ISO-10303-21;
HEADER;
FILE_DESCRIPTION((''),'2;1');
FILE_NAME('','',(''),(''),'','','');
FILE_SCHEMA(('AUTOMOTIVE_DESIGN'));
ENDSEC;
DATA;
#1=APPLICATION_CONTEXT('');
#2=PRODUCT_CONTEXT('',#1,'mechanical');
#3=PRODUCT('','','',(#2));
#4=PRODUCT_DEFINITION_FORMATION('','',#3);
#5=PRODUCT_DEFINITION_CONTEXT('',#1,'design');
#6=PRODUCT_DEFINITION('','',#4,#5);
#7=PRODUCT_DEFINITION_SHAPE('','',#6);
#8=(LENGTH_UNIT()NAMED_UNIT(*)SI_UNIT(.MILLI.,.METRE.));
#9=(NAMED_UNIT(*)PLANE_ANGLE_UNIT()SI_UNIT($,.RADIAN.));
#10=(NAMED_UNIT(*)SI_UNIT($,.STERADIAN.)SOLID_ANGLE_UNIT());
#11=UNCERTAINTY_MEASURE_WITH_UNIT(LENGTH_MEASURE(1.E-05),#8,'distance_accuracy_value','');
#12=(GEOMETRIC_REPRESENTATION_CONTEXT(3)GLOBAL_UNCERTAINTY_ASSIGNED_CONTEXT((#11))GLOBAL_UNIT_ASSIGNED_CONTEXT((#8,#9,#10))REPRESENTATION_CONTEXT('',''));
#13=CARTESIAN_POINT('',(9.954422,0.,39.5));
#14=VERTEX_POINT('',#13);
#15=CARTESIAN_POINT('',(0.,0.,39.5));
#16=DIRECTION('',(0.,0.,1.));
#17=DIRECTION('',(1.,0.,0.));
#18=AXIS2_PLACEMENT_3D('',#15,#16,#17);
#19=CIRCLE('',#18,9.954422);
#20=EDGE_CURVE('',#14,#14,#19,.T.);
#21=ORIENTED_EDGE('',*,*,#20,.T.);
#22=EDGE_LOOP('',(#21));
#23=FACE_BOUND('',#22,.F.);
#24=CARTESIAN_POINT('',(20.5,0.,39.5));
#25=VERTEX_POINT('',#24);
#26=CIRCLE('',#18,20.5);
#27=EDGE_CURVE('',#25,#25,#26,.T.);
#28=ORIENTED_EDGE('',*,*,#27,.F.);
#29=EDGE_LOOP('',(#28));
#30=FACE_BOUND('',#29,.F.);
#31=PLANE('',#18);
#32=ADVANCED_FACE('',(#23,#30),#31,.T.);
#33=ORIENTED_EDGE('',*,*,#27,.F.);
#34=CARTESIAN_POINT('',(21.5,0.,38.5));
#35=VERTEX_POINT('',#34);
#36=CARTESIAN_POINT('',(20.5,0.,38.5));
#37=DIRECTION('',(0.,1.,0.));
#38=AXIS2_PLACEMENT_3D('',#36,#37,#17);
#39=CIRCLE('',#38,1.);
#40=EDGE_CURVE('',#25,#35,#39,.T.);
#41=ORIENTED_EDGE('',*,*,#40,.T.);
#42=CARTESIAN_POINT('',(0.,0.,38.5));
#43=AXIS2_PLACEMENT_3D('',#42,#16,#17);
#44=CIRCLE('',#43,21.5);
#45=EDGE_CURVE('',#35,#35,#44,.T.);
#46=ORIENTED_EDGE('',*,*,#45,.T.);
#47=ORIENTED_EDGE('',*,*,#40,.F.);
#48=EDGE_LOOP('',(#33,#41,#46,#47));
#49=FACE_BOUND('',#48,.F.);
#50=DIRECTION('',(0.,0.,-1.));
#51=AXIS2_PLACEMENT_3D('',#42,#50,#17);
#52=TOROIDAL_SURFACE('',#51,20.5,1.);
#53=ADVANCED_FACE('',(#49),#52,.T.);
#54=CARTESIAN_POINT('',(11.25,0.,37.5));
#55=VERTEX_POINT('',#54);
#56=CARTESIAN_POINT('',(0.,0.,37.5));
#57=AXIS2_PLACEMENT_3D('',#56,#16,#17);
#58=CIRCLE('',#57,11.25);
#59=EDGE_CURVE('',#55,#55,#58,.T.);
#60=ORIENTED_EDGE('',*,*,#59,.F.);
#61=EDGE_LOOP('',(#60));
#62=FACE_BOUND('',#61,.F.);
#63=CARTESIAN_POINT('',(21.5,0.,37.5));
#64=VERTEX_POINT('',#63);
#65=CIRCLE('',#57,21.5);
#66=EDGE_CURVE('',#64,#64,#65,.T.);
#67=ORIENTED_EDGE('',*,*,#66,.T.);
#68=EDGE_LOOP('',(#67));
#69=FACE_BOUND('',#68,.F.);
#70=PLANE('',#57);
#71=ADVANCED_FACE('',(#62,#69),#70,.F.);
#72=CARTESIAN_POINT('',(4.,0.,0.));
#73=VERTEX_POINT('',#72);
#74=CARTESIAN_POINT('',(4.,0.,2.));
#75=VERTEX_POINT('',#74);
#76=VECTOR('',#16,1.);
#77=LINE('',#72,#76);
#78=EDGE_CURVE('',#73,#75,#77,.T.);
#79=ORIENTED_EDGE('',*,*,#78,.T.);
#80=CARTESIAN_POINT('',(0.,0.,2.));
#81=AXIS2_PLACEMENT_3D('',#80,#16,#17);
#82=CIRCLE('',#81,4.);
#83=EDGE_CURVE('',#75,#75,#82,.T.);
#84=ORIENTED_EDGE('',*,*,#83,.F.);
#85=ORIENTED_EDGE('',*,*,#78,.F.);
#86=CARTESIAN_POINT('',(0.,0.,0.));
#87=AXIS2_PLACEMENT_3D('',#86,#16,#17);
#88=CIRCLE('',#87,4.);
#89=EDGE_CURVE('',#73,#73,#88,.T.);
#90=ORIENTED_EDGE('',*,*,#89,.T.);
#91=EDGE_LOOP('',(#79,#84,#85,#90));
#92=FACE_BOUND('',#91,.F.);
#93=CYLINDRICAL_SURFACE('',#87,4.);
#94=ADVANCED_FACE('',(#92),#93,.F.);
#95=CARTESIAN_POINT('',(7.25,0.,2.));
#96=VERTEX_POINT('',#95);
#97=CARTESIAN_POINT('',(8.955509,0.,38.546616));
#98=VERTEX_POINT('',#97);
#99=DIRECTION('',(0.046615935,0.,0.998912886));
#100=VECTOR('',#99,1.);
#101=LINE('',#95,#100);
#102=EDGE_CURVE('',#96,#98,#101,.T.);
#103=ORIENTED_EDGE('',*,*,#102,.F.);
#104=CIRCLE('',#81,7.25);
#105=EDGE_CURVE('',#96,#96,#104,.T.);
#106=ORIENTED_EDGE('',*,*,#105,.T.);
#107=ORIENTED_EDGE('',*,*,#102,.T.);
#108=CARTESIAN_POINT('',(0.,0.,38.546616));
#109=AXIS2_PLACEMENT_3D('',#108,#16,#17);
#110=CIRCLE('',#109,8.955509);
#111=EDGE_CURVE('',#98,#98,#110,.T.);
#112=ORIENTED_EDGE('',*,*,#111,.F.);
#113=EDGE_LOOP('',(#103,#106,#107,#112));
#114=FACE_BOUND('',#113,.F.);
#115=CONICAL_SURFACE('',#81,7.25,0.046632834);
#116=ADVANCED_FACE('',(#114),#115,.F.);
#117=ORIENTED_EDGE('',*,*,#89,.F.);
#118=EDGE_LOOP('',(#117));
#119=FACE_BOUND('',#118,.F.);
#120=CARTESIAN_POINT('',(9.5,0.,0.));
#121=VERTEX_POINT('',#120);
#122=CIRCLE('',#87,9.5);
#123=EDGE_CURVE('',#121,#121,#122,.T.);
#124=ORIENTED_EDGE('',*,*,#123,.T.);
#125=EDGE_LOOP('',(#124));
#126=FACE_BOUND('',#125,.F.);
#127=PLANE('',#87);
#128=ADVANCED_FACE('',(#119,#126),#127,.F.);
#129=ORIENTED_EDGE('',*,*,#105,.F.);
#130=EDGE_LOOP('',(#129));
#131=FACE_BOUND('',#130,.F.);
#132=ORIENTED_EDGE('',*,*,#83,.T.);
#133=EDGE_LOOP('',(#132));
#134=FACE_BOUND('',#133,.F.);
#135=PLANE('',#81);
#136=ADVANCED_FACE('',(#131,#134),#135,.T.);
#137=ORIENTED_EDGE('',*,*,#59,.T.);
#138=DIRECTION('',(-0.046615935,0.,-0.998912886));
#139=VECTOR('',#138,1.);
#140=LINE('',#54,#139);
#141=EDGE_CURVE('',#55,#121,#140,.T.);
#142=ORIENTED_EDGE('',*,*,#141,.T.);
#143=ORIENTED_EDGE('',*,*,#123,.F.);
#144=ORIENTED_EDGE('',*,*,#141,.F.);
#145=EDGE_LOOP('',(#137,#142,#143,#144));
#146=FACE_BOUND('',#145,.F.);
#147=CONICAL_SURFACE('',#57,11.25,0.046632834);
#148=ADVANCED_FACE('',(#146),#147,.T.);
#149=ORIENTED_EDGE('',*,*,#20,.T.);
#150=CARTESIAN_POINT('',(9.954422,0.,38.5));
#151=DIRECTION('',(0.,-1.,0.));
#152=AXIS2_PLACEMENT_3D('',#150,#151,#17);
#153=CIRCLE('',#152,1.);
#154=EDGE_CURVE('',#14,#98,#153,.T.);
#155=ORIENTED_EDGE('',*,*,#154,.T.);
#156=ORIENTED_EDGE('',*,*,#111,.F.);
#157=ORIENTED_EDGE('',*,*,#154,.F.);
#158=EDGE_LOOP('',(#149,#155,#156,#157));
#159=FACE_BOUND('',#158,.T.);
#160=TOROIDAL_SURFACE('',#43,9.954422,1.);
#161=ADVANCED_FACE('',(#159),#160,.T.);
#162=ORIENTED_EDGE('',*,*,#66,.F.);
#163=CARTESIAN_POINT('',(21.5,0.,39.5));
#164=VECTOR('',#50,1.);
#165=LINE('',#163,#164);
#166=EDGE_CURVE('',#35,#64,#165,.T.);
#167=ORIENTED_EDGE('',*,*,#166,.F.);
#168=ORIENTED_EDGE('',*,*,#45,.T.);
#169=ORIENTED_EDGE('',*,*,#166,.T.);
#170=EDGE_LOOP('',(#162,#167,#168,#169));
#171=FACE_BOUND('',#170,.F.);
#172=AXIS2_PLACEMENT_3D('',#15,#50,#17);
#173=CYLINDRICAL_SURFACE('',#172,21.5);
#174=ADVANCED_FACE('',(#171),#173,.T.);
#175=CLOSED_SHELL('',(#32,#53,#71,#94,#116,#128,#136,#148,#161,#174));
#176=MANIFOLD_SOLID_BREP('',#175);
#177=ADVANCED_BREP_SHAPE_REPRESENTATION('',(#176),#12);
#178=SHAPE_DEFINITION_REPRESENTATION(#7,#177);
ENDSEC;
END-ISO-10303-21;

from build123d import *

# Parameters (mm, degrees)
FILLET_R = 1


with BuildPart() as part:
    # Sketch → Revolution (revolve)
    with BuildSketch(Plane.XZ):
        Polygon((9, 39.5), (21.5, 39.5), (21.5, 37.5), (11.25, 37.5), (9.5, 0), (4, 0), (4, 2), (7.25, 2), align=None)
    revolve(axis=Axis((0, 0, 0), (0, 0, 1)))

    # Fillet
    fillet_edges = [part.edges().sort_by_distance(p)[0] for p in [
        (-21.5, 0, 39.5),
        (-9, 0, 39.5),
    ]]
    fillet(fillet_edges, radius=FILLET_R)


solid = part.part
